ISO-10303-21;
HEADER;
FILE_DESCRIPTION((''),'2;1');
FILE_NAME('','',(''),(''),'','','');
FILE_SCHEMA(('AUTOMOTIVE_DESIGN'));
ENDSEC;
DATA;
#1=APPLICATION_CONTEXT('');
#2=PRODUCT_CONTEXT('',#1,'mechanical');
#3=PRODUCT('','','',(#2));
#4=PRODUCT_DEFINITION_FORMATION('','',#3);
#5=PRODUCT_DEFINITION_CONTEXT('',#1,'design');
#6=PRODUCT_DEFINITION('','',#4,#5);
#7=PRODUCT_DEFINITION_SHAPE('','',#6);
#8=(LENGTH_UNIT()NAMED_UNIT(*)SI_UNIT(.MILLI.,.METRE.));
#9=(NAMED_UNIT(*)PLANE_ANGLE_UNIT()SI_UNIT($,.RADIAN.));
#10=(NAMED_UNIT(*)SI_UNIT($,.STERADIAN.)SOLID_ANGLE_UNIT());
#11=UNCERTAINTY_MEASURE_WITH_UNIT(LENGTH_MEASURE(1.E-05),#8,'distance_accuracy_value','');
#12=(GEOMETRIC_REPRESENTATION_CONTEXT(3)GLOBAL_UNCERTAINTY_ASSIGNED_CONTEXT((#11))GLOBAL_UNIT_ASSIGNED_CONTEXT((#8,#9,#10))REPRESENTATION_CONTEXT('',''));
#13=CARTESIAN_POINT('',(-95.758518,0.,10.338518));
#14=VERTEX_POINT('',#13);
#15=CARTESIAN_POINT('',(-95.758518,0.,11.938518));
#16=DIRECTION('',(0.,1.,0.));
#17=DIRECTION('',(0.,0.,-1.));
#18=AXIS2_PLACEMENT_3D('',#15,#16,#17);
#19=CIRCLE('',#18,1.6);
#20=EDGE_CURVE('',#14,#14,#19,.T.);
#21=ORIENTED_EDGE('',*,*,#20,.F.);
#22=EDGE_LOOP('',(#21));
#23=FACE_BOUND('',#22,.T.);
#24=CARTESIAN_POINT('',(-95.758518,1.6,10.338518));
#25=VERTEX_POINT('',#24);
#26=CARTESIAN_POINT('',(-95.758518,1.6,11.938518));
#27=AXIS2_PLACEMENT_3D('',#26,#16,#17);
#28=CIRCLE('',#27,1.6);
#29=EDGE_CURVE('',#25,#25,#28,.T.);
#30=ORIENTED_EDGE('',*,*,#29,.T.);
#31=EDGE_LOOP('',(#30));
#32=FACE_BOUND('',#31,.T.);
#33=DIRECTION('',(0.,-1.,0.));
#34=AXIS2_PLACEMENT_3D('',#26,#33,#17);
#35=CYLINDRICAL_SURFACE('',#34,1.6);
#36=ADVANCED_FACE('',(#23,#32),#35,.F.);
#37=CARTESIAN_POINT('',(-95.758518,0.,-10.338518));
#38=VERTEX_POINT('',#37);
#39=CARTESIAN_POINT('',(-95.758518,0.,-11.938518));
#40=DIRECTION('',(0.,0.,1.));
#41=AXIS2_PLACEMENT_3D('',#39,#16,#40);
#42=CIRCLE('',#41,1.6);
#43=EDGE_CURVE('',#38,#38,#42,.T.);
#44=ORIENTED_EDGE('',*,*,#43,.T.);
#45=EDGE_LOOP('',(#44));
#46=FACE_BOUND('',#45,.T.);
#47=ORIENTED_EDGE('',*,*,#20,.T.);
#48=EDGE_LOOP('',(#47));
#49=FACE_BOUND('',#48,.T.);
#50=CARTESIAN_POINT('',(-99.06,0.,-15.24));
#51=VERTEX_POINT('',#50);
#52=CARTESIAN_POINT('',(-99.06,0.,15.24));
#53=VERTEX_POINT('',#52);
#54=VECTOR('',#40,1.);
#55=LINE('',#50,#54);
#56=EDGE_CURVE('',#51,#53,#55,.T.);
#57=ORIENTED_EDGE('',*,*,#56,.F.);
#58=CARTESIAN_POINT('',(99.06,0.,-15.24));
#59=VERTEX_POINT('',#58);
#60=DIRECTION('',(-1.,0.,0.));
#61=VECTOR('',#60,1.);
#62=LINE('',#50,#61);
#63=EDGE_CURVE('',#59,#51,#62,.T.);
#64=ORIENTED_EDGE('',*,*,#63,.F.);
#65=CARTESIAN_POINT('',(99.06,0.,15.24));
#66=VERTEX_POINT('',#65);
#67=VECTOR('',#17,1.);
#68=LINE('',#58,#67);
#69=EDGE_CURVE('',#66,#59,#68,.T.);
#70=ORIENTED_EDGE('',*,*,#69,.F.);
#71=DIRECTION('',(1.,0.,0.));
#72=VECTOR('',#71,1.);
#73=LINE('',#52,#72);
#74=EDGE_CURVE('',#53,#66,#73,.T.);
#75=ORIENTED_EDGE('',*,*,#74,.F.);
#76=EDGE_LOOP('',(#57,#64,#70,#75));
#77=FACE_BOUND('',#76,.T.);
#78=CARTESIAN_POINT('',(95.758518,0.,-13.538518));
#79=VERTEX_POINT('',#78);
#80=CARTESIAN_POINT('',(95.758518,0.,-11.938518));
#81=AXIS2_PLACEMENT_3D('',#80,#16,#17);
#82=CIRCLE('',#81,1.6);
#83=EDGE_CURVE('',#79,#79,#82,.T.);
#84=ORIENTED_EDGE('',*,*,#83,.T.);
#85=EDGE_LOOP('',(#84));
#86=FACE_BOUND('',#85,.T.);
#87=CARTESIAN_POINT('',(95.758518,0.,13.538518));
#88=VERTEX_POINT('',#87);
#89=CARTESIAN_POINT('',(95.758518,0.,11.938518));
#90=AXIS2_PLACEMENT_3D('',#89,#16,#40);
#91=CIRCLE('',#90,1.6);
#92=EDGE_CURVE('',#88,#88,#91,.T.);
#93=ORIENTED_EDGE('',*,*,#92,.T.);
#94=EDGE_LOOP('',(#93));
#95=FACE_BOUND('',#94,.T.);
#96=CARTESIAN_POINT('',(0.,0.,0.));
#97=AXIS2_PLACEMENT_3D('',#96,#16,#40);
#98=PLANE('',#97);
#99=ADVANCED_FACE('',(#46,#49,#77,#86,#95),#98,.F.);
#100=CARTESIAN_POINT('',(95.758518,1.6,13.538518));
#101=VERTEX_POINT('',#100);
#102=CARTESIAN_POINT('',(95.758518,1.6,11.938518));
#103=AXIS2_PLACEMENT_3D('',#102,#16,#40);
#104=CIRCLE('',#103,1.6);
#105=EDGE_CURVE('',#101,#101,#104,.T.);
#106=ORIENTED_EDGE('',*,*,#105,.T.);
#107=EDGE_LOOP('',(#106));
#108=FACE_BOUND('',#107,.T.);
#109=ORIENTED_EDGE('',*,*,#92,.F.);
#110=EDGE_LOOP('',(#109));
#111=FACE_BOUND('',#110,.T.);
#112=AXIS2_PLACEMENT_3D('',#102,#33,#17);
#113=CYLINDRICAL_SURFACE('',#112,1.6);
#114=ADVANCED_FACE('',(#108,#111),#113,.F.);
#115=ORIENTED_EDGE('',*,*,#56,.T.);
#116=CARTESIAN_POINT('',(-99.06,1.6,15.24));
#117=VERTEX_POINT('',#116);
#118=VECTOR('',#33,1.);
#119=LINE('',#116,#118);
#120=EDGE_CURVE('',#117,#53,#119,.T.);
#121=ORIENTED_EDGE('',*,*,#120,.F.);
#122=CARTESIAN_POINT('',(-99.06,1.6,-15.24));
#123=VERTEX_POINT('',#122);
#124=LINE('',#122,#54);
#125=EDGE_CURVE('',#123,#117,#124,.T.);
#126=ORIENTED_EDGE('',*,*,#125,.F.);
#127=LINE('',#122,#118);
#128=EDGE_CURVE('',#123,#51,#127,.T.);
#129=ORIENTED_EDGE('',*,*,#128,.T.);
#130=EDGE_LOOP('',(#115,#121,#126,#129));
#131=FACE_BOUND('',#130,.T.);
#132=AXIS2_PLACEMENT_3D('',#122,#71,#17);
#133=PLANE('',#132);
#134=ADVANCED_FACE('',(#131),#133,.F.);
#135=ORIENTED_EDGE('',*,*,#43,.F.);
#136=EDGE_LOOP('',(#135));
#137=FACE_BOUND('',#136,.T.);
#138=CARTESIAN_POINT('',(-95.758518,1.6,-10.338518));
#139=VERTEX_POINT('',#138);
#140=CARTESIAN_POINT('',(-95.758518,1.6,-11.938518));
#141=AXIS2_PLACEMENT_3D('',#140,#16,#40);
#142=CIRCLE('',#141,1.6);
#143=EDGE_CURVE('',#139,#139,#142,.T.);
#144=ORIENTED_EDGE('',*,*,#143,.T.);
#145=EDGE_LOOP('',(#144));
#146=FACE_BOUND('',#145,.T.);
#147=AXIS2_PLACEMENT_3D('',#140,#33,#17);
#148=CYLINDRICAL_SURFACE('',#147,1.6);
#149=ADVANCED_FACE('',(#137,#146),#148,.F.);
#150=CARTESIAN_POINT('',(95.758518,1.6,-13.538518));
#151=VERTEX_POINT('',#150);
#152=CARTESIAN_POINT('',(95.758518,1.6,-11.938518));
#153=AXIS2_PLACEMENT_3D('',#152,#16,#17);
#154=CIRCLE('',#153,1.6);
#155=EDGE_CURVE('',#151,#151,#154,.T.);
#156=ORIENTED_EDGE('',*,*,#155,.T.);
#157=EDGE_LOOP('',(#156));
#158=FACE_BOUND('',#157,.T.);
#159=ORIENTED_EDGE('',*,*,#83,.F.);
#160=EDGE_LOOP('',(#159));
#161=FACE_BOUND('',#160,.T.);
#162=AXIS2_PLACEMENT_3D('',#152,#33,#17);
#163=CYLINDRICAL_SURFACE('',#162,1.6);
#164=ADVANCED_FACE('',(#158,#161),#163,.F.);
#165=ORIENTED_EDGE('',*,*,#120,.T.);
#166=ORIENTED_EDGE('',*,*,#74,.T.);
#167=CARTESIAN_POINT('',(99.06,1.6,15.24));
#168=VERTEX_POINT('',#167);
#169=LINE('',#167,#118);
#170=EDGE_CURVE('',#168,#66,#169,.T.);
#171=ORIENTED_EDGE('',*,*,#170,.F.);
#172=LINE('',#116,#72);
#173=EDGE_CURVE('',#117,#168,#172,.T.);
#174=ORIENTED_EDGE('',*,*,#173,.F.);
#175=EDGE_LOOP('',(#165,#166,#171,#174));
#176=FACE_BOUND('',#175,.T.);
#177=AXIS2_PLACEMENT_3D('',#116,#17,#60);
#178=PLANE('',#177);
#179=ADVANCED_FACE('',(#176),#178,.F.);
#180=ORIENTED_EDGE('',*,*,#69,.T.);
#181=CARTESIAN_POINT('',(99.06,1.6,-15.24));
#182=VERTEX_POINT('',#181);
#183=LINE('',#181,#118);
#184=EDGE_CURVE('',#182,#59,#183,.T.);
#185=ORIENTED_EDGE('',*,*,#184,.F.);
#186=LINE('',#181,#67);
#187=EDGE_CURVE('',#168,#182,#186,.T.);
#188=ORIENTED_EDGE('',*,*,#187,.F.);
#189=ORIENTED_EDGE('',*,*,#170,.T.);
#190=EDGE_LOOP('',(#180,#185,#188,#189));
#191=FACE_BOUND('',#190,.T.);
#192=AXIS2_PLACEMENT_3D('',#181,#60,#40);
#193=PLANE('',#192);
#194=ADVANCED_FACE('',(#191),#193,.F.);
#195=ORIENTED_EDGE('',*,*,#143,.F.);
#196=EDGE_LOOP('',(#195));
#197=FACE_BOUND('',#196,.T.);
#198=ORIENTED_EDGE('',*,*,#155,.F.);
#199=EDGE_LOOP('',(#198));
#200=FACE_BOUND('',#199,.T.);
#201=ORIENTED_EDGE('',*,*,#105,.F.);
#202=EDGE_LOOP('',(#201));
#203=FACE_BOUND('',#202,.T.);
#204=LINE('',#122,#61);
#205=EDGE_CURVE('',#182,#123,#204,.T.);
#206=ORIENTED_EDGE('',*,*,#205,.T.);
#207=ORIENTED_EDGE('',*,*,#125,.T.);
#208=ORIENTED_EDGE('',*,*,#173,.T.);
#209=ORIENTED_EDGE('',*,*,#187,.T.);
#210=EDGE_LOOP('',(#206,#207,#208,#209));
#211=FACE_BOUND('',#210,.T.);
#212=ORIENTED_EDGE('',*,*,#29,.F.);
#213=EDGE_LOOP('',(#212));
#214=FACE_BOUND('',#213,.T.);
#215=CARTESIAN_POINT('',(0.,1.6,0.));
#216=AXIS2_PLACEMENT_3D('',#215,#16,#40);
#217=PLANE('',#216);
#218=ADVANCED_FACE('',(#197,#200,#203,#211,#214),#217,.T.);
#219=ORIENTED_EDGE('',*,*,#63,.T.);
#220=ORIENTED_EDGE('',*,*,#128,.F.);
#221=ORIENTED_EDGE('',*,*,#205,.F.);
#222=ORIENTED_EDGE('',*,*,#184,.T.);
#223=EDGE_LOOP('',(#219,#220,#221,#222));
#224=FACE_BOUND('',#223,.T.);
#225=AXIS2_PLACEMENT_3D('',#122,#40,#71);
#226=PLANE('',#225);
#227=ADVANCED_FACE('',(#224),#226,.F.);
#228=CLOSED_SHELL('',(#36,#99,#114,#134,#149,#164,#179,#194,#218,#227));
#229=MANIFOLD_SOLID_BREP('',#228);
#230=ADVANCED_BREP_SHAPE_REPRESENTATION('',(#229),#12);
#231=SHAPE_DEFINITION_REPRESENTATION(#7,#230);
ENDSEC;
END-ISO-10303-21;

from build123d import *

# Parameters (mm, degrees)
SKETCH1_W           = 198.12
SKETCH1_H           = 30.48
SKETCH1_R           = 1.6
BOSS_EXTRUDE1_DEPTH = 1.6


with BuildPart() as part:
    # Sketch1 → Boss-Extrude1 (new body)
    with BuildSketch(Plane(origin=(0, 0, 0), x_dir=(1, 0, 0), z_dir=(0, 1, 0))):
        Rectangle(SKETCH1_W, SKETCH1_H)
        with Locations(Location((-95.758518439, 11.938518439, 0), (0, 0, 270))):
            Circle(SKETCH1_R, mode=Mode.SUBTRACT)
        with Locations(Location((-95.758518439, -11.938518439, 0), (0, 0, 90))):
            Circle(SKETCH1_R, mode=Mode.SUBTRACT)
        with Locations(Location((95.758518439, -11.938518439, 0), (0, 0, 270))):
            Circle(SKETCH1_R, mode=Mode.SUBTRACT)
        with Locations(Location((95.758518439, 11.938518439, 0), (0, 0, 90))):
            Circle(SKETCH1_R, mode=Mode.SUBTRACT)
    extrude(amount=BOSS_EXTRUDE1_DEPTH)


solid = part.part
